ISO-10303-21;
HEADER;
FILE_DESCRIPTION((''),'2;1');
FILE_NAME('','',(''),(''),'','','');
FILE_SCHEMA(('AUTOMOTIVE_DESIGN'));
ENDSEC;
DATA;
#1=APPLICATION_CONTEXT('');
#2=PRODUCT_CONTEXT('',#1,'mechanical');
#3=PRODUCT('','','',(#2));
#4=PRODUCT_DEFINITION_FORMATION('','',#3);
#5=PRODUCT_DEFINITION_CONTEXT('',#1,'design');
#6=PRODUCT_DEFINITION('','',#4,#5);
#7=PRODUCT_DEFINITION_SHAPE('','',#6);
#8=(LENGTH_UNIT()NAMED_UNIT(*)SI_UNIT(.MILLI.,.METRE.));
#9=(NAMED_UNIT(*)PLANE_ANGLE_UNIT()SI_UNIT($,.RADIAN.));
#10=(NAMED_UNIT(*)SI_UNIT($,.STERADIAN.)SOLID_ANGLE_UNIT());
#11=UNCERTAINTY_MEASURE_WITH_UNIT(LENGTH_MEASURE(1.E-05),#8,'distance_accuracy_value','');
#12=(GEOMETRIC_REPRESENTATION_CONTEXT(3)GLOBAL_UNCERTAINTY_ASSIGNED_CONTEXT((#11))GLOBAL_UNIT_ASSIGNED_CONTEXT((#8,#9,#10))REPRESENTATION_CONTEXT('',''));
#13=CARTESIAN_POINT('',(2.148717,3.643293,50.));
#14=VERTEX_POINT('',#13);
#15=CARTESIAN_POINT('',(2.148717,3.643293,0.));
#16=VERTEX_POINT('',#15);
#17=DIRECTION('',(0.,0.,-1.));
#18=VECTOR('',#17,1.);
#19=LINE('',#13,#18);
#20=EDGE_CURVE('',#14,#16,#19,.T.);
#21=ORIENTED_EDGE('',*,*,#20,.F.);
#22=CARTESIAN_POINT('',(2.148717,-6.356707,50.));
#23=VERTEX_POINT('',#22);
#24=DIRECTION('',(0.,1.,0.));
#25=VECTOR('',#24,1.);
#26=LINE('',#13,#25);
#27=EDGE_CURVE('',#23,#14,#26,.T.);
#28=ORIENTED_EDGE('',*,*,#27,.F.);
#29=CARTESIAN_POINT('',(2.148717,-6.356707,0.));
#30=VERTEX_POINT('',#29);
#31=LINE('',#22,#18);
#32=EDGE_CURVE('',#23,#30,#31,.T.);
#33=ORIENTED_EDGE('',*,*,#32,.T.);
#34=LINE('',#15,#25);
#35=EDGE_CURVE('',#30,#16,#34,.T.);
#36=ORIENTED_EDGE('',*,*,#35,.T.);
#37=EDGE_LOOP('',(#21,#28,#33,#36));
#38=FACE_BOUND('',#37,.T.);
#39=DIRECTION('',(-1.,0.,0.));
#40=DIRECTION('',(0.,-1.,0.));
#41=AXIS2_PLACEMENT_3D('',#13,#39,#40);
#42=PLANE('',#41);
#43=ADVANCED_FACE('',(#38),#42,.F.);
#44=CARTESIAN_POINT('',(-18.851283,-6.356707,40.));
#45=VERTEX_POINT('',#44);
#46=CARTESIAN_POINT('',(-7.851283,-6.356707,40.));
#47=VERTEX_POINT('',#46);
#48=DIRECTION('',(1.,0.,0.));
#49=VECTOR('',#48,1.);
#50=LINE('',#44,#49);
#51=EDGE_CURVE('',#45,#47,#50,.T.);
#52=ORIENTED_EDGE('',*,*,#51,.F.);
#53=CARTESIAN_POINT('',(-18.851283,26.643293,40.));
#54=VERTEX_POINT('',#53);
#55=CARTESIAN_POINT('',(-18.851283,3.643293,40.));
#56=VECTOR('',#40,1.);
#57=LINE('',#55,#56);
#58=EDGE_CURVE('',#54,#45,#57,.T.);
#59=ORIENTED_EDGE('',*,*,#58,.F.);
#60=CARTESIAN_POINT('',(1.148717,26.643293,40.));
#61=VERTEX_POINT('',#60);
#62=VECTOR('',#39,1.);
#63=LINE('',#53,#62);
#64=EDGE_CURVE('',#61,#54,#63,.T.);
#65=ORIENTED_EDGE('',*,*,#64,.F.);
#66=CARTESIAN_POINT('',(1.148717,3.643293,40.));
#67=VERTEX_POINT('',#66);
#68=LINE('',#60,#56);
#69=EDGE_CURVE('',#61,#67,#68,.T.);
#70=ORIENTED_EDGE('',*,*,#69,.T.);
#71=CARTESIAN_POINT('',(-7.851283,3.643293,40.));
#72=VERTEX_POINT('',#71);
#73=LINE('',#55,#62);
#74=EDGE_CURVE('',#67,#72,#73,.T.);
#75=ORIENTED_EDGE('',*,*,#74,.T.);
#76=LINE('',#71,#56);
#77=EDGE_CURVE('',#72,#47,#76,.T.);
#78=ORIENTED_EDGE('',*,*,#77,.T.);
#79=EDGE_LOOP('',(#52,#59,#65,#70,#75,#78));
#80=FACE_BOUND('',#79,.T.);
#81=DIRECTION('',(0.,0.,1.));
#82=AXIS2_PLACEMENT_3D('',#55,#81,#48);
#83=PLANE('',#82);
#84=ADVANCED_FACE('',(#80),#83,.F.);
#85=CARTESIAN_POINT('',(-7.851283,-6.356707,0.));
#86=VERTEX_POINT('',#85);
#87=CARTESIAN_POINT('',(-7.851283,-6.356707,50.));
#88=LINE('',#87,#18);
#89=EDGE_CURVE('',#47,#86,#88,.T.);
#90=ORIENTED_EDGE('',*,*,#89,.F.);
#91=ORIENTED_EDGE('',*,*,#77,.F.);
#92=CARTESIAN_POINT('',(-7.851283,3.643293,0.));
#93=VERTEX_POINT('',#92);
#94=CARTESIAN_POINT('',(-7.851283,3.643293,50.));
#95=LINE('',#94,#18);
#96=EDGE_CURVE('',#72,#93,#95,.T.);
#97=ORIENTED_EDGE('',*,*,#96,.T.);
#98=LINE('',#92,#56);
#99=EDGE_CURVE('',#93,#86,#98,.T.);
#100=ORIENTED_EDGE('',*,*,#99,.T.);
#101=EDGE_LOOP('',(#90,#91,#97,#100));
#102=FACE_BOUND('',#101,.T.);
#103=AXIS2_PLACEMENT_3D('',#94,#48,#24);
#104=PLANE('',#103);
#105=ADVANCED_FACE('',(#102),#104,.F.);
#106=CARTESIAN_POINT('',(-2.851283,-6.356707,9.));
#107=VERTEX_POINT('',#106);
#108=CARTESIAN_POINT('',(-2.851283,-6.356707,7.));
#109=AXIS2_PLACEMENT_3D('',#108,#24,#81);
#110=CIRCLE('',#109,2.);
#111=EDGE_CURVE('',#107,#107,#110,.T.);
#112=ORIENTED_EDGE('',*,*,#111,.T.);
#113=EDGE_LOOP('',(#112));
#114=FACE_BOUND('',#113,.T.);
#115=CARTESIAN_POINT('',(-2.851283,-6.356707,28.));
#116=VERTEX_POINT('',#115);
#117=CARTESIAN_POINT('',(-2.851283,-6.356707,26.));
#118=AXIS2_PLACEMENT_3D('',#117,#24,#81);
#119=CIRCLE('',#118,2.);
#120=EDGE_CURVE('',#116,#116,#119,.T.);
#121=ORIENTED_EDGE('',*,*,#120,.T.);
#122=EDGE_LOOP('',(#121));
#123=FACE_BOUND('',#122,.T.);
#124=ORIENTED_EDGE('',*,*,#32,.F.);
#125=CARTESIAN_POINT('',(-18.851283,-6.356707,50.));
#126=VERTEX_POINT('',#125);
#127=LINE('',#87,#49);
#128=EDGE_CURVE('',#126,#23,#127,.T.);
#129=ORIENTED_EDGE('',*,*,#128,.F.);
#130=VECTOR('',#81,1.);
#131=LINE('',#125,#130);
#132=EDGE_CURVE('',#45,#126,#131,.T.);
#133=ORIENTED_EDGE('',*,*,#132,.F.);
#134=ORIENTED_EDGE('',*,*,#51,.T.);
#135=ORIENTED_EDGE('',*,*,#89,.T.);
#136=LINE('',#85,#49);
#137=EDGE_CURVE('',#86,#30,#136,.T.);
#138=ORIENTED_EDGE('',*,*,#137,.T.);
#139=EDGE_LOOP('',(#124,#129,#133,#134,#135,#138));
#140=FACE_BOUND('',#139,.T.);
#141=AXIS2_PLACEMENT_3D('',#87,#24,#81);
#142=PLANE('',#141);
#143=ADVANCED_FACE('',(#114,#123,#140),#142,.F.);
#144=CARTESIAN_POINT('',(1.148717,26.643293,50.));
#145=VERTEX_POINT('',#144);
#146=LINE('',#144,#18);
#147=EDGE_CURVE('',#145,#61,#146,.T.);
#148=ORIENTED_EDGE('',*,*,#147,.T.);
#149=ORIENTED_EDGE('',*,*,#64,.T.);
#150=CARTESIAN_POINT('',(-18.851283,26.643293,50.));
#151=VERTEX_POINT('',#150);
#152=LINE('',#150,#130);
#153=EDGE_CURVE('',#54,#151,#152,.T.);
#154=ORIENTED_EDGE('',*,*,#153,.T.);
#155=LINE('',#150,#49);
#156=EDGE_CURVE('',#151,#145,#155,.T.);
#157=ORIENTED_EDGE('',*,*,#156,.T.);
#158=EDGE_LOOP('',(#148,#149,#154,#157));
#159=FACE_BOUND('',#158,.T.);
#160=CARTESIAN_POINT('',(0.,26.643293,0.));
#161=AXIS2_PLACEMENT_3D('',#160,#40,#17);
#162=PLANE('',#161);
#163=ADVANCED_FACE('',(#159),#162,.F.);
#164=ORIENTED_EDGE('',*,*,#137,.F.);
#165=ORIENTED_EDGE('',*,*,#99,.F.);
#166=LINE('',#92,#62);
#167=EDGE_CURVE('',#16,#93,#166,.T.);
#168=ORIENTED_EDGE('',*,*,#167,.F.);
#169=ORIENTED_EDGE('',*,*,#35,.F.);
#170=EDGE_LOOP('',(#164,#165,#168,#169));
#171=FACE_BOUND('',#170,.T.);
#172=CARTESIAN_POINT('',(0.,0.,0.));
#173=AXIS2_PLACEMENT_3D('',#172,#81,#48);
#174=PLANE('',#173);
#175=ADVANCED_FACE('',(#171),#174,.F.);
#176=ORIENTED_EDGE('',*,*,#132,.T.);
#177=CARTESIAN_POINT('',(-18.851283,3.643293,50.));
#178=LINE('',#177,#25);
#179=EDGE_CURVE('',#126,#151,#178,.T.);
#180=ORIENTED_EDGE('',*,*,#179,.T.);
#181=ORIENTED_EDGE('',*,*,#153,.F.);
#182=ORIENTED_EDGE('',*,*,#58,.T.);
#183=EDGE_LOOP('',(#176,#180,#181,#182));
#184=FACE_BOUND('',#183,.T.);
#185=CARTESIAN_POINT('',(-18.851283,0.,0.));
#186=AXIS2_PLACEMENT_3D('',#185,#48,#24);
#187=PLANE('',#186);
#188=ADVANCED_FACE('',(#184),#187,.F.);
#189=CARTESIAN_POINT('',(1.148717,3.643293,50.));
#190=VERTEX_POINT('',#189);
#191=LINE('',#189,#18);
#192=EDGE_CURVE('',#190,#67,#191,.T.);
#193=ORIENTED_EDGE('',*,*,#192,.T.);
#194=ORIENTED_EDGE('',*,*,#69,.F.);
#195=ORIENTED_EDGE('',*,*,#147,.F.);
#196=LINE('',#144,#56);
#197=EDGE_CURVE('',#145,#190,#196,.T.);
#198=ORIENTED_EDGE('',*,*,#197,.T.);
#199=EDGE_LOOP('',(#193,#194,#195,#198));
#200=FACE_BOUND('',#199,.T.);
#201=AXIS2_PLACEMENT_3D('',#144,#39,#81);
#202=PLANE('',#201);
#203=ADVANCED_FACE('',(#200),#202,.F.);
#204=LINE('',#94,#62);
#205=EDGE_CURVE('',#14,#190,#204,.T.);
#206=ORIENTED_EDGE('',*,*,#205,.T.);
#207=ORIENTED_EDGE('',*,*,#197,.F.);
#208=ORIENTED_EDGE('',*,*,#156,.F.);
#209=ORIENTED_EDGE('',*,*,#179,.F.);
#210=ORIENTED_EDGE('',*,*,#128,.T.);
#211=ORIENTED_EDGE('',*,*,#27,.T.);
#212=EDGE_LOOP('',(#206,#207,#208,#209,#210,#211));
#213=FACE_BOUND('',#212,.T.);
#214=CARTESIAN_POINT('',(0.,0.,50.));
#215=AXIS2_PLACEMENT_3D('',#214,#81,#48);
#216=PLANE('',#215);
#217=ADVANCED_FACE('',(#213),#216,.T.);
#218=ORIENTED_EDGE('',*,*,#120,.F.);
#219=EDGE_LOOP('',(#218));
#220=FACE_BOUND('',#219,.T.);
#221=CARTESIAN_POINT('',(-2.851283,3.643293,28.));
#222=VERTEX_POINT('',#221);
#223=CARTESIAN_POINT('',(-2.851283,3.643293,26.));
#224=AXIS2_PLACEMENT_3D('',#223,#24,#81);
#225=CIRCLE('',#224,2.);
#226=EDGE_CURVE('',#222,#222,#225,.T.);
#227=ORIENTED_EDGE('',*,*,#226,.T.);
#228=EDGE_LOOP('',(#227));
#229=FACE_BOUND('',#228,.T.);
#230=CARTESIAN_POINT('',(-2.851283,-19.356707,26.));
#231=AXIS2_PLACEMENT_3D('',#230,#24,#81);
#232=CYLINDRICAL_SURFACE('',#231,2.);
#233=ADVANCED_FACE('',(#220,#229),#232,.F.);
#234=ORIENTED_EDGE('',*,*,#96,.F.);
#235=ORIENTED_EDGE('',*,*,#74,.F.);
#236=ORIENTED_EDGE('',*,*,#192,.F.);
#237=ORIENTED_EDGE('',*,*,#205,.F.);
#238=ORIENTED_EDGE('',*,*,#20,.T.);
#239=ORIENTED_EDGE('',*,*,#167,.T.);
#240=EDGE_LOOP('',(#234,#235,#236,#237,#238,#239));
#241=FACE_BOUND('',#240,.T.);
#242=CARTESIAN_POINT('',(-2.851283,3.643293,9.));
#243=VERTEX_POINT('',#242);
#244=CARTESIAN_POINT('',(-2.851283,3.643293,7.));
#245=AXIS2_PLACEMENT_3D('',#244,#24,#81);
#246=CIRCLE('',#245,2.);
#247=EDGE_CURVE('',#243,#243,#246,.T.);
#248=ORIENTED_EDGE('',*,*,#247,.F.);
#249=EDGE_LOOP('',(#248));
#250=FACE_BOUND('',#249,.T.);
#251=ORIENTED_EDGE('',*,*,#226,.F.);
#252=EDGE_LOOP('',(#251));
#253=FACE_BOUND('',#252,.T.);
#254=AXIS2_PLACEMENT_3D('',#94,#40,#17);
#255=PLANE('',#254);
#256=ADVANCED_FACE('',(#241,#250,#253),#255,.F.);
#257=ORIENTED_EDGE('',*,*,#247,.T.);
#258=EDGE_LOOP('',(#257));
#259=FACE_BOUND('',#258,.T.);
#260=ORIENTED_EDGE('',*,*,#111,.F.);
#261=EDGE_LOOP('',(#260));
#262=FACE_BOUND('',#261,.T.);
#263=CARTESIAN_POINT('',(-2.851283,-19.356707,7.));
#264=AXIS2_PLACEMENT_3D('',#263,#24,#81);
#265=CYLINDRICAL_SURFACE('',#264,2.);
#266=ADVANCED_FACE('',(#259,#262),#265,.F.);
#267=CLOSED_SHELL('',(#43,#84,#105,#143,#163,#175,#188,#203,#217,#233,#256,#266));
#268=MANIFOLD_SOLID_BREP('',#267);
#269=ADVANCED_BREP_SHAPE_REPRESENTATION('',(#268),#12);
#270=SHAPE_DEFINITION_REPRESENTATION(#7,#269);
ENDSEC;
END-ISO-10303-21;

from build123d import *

# Parameters (mm, degrees)
SKETCH1_W           = 10
SKETCH1_H           = 10
BOSS_EXTRUDE1_DEPTH = 50
SKETCH3_W           = 10
SKETCH3_H           = 10
BOSS_EXTRUDE3_DEPTH = 11
SKETCH8_W           = 20
SKETCH8_H           = 10
BOSS_EXTRUDE4_DEPTH = 23
SKETCH9_R           = 2
CUT_EXTRUDE2_DEPTH  = 23
SKETCH9_4_R         = 2
CUT_EXTRUDE3_DEPTH  = 23


with BuildPart() as part:
    # Sketch1 → Boss-Extrude1 (new body)
    with BuildSketch(Plane.XY):
        with Locations((-2.851282988, -1.356707317)):
            Rectangle(SKETCH1_W, SKETCH1_H)
    extrude(amount=BOSS_EXTRUDE1_DEPTH)

    # Sketch3 → Boss-Extrude3 (add)
    with BuildSketch(Plane.ZY.offset(7.851282988)):
        with Locations((45, -1.356707317)):
            Rectangle(SKETCH3_W, SKETCH3_H)
    extrude(amount=BOSS_EXTRUDE3_DEPTH)

    # Sketch8 → Boss-Extrude4 (add)
    with BuildSketch(Plane(origin=(0, 3.643292683, 0), x_dir=(1, 0, 0), z_dir=(0, 1, 0))):
        with Locations((-8.851282988, -45)):
            Rectangle(SKETCH8_W, SKETCH8_H)
    extrude(amount=BOSS_EXTRUDE4_DEPTH)

    # Sketch9 → Cut-Extrude2 (cut)
    with BuildSketch(Plane(origin=(0, 3.643292683, 0), x_dir=(1, 0, 0), z_dir=(0, 1, 0))):
        with Locations((-2.851282988, -7)):
            Circle(SKETCH9_R)
    extrude(amount=-CUT_EXTRUDE2_DEPTH, mode=Mode.SUBTRACT)

    # Sketch9<4> → Cut-Extrude3 (cut)
    with BuildSketch(Plane(origin=(0, 3.643292683, 0), x_dir=(1, 0, 0), z_dir=(0, 1, 0))):
        with Locations((-2.851282988, -26)):
            Circle(SKETCH9_4_R)
    extrude(amount=-CUT_EXTRUDE3_DEPTH, mode=Mode.SUBTRACT)


solid = part.part
